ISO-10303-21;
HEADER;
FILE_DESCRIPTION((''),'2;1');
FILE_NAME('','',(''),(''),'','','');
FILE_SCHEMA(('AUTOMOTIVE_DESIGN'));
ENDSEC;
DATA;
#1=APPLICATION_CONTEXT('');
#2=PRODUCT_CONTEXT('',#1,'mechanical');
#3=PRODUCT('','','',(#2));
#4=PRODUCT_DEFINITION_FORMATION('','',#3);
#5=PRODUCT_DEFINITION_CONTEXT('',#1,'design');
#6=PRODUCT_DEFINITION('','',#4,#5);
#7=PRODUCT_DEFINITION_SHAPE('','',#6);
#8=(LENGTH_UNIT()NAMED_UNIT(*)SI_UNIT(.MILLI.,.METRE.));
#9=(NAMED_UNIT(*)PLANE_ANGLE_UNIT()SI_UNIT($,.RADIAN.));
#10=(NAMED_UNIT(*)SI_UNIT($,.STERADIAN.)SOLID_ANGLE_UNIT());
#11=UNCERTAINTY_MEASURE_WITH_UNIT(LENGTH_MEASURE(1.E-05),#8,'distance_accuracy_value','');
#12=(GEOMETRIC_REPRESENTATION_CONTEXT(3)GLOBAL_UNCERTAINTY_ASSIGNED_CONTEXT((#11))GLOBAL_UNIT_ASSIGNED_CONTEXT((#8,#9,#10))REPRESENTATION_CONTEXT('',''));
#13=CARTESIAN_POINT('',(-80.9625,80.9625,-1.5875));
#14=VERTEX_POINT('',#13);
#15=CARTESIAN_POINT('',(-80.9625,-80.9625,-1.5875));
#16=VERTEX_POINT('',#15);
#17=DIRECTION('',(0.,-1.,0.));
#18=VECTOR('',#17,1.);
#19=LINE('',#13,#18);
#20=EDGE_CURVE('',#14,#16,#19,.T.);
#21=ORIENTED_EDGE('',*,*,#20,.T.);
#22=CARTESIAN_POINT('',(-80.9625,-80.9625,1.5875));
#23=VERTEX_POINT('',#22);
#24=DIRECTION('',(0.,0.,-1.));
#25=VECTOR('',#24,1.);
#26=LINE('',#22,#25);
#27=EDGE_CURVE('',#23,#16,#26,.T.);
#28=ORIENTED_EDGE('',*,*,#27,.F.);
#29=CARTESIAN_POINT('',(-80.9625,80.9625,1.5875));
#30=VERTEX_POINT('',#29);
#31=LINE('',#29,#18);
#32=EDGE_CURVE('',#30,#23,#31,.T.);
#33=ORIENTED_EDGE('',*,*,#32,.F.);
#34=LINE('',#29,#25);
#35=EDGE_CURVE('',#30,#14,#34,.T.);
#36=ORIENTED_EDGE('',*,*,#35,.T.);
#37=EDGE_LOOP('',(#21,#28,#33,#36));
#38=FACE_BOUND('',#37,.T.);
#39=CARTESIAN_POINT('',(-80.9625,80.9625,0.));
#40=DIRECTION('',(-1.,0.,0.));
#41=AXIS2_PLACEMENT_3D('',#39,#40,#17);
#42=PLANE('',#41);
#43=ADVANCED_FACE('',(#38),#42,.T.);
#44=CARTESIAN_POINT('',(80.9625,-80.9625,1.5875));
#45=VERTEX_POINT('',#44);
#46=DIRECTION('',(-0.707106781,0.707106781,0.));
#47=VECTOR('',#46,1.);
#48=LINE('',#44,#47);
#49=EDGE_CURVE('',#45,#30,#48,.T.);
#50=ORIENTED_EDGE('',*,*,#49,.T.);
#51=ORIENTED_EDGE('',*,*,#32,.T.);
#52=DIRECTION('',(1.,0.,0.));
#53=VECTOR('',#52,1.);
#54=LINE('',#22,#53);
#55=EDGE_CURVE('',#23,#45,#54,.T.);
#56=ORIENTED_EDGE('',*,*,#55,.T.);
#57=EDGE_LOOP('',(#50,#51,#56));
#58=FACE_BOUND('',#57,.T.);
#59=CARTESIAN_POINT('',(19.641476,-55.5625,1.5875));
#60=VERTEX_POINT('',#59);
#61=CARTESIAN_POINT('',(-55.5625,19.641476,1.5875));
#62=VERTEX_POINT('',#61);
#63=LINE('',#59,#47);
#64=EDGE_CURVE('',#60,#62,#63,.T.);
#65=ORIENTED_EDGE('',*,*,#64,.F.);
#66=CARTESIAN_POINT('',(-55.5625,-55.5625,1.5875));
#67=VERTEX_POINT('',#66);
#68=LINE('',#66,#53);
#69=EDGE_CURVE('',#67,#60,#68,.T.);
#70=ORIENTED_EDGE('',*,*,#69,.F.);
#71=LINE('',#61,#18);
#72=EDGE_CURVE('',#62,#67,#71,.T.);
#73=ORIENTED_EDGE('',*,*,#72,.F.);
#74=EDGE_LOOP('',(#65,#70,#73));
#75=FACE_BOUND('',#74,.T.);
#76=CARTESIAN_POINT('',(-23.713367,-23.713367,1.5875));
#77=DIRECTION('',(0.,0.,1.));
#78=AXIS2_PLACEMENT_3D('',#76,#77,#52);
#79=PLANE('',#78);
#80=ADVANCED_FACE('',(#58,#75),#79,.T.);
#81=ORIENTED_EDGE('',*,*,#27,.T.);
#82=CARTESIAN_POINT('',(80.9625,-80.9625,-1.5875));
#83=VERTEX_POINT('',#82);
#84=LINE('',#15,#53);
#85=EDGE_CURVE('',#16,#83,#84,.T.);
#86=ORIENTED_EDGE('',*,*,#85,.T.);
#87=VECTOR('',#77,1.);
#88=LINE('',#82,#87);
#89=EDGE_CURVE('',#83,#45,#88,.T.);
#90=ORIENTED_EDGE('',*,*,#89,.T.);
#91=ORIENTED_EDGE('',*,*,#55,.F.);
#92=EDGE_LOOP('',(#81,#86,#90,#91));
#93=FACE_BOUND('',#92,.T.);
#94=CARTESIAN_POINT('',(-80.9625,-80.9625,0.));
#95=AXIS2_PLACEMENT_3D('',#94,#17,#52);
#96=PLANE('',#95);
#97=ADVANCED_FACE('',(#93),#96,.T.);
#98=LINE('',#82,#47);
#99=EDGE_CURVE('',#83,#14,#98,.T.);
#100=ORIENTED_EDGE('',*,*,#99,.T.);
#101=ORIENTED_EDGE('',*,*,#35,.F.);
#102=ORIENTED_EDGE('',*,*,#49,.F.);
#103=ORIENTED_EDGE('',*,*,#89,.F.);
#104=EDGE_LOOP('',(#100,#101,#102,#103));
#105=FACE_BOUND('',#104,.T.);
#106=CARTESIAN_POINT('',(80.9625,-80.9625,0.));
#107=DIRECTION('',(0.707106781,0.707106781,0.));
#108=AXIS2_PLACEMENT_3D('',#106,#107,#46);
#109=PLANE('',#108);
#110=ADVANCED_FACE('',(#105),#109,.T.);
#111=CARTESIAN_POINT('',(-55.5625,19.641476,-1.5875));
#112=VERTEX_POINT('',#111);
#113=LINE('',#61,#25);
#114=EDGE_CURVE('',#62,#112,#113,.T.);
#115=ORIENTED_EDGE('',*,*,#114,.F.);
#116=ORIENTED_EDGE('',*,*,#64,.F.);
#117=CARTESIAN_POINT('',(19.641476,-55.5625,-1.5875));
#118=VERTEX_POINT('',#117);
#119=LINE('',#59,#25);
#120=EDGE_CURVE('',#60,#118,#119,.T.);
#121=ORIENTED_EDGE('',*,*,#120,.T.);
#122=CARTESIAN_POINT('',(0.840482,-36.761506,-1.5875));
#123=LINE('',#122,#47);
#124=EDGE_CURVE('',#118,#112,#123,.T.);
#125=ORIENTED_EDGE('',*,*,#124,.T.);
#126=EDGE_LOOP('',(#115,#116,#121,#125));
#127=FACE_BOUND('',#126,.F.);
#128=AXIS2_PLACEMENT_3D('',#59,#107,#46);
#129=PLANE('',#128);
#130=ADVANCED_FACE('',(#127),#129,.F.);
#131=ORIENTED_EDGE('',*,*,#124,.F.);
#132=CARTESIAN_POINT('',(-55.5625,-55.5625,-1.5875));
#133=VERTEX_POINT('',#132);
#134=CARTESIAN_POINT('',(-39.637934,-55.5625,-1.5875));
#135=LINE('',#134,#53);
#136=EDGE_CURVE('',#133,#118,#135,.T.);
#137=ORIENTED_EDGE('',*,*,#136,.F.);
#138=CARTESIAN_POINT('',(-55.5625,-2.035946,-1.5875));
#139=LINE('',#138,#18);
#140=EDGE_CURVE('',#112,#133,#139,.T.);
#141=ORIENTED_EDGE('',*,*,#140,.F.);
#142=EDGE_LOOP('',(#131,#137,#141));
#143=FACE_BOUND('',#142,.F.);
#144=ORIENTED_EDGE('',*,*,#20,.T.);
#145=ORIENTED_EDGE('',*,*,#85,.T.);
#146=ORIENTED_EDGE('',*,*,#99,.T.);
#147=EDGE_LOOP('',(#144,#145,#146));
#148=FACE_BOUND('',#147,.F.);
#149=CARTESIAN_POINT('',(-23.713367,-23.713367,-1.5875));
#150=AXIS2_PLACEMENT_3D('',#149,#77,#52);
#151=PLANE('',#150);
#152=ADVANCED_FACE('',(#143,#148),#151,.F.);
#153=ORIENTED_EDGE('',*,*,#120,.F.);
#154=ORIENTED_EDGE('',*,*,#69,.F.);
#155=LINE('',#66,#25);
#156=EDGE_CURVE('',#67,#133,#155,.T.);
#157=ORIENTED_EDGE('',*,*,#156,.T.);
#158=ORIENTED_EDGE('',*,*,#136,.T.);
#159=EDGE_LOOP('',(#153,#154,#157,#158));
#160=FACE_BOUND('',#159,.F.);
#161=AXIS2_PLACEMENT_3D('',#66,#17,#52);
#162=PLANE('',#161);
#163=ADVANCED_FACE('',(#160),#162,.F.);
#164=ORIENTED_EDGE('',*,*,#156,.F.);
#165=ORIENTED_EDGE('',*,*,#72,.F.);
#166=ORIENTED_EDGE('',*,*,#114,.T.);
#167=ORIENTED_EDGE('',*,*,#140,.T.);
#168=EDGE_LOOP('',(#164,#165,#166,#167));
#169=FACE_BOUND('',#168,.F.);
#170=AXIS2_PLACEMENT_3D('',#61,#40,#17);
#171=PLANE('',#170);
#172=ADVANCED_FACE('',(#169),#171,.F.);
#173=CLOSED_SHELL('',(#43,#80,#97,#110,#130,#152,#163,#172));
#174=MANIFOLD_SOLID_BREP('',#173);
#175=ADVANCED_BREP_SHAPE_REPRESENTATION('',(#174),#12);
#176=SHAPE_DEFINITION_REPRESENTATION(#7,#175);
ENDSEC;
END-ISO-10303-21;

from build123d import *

# Parameters (mm, degrees)
F1_DEPTH = 1.5875
F3_DEPTH = 3.176


with BuildPart() as f1:
    # F0 (on Top) → F1 (new body, symmetric)
    with BuildSketch(Plane.XY):
        Polygon((-80.9625, -80.9625), (80.9625, -80.9625), (-80.9625, 80.9625), align=None)
    extrude(amount=F1_DEPTH, both=True)

    # F2 (on face) → F3 (cut, through all)
    with BuildSketch(Plane.XY.offset(1.5875)):
        Polygon((19.641476, -55.5625), (-55.5625, 19.641476), (-55.5625, -55.5625), align=None)
    extrude(amount=-F3_DEPTH, mode=Mode.SUBTRACT)


solid = f1.part
